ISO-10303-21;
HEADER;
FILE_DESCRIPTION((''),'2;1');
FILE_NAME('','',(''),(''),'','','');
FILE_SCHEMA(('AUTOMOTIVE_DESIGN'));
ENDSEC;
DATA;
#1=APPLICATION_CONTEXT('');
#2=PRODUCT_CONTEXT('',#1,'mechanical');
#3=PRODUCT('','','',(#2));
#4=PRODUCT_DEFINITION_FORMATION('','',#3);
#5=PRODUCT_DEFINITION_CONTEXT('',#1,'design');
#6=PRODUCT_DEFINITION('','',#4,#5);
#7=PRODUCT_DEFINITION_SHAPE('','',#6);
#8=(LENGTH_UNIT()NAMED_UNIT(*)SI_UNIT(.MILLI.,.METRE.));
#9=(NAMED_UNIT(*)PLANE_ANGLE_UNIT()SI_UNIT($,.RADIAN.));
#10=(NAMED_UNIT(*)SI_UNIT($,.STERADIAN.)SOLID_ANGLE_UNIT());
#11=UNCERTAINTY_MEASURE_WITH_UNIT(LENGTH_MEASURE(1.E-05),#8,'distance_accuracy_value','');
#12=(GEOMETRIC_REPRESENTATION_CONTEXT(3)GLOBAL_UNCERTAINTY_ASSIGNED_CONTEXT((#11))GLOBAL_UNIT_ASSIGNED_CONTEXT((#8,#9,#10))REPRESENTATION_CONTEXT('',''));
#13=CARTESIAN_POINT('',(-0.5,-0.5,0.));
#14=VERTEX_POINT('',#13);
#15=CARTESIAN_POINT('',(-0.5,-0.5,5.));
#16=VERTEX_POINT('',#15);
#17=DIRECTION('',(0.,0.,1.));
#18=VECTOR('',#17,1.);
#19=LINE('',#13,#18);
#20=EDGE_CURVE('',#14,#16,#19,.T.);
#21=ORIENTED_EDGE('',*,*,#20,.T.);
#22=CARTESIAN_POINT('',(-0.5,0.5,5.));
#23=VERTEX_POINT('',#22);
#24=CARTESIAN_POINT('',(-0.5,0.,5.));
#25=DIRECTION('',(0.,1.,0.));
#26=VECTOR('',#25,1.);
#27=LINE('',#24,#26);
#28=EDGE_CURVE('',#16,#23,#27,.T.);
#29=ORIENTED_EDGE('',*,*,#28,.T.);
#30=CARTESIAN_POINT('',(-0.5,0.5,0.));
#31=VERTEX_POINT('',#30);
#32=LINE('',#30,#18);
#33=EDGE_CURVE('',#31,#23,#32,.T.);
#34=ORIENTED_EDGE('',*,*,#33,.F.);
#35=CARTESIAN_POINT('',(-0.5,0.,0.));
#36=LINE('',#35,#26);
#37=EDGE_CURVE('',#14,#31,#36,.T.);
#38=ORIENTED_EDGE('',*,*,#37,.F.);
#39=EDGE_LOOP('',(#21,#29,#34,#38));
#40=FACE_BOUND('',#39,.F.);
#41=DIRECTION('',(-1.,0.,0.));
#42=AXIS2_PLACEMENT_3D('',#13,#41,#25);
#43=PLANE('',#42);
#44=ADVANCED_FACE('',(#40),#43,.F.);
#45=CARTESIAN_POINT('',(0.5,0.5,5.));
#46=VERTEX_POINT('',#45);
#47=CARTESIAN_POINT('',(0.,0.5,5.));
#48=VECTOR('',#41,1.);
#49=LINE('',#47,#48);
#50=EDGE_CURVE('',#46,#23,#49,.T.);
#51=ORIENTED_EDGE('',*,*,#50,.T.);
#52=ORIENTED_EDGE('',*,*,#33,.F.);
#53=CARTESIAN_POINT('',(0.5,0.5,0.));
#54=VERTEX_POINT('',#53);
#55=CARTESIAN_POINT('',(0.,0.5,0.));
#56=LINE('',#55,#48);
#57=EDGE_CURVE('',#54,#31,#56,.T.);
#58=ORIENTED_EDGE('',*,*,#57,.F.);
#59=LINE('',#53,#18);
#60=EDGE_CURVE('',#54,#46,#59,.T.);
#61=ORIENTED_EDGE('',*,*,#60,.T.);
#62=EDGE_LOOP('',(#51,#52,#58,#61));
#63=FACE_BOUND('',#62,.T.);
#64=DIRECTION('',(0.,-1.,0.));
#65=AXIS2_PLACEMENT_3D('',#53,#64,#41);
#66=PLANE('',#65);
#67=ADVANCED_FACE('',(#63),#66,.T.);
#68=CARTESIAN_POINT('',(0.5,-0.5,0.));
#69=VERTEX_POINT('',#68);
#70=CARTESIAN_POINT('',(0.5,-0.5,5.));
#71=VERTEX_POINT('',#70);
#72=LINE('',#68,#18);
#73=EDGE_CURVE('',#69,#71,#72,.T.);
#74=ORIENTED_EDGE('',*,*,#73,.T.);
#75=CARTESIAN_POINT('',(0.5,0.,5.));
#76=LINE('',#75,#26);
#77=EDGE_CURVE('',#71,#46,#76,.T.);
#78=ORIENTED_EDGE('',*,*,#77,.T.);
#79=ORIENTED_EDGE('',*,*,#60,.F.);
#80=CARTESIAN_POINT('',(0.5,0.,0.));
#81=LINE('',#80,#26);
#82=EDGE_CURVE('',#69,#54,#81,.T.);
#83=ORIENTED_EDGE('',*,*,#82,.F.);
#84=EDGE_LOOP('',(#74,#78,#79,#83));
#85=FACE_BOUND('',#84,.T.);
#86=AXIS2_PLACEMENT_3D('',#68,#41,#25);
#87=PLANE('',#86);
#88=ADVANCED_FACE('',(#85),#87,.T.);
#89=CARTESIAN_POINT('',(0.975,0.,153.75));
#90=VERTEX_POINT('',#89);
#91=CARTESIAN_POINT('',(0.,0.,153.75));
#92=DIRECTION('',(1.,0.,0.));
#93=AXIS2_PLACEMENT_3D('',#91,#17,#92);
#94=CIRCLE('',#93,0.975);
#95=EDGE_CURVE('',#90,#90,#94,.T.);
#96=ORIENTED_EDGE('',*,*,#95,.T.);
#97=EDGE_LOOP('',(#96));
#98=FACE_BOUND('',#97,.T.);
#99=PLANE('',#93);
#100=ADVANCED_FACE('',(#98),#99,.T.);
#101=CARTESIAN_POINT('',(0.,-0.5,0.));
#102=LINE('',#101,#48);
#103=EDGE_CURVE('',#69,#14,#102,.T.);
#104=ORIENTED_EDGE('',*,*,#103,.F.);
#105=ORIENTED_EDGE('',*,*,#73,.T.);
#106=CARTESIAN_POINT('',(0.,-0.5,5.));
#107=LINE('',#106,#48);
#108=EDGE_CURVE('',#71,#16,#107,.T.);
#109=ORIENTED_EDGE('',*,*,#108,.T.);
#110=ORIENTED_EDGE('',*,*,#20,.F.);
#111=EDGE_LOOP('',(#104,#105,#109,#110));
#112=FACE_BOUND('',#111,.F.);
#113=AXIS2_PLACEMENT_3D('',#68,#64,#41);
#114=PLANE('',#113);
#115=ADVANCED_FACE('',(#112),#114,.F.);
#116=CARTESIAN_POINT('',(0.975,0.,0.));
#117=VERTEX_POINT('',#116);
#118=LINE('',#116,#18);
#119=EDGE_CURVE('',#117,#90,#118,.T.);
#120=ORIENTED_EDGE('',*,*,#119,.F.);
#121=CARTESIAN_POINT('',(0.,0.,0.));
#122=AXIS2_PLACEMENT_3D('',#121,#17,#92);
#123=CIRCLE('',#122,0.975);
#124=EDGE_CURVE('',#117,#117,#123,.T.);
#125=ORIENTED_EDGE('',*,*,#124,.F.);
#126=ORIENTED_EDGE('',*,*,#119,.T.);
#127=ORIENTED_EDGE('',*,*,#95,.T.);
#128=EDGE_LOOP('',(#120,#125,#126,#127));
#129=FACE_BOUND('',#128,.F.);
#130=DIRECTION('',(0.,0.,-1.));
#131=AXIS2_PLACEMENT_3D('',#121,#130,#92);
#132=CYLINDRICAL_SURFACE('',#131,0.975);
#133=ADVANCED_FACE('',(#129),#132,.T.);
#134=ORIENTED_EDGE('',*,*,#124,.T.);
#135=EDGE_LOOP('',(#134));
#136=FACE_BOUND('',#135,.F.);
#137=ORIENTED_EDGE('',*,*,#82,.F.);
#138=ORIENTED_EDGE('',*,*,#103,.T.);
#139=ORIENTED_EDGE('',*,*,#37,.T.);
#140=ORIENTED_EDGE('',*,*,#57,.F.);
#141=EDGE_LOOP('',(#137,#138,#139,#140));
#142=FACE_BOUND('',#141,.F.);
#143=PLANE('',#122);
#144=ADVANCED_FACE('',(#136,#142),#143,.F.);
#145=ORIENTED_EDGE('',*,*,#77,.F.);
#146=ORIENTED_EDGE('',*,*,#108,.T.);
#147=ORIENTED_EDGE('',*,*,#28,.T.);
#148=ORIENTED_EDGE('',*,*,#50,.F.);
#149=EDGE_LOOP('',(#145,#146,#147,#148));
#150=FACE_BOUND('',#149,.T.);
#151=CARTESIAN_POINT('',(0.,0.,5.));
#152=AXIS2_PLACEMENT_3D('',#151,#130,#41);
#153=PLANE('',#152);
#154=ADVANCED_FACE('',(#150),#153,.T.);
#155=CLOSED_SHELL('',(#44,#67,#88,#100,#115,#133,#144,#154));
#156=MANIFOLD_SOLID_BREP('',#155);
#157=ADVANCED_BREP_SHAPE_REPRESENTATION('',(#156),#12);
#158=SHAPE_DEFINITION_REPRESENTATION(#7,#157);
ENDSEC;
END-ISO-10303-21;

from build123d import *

# Parameters (mm, degrees)
SKETCH1_R           = 0.975
BOSS_EXTRUDE1_DEPTH = 153.75
SKETCH2_W           = 1
SKETCH2_H           = 1
CUT_EXTRUDE1_DEPTH  = 5


with BuildPart() as part:
    # Sketch1 → Boss-Extrude1 (new body)
    with BuildSketch(Plane.XY):
        Circle(SKETCH1_R)
    extrude(amount=BOSS_EXTRUDE1_DEPTH)

    # Sketch2 → Cut-Extrude1 (cut)
    with BuildSketch(Plane(origin=(0, 0, 0), x_dir=(-1, 0, 0), z_dir=(0, 0, -1))):
        Rectangle(SKETCH2_W, SKETCH2_H)
    extrude(amount=-CUT_EXTRUDE1_DEPTH, mode=Mode.SUBTRACT)


solid = part.part
